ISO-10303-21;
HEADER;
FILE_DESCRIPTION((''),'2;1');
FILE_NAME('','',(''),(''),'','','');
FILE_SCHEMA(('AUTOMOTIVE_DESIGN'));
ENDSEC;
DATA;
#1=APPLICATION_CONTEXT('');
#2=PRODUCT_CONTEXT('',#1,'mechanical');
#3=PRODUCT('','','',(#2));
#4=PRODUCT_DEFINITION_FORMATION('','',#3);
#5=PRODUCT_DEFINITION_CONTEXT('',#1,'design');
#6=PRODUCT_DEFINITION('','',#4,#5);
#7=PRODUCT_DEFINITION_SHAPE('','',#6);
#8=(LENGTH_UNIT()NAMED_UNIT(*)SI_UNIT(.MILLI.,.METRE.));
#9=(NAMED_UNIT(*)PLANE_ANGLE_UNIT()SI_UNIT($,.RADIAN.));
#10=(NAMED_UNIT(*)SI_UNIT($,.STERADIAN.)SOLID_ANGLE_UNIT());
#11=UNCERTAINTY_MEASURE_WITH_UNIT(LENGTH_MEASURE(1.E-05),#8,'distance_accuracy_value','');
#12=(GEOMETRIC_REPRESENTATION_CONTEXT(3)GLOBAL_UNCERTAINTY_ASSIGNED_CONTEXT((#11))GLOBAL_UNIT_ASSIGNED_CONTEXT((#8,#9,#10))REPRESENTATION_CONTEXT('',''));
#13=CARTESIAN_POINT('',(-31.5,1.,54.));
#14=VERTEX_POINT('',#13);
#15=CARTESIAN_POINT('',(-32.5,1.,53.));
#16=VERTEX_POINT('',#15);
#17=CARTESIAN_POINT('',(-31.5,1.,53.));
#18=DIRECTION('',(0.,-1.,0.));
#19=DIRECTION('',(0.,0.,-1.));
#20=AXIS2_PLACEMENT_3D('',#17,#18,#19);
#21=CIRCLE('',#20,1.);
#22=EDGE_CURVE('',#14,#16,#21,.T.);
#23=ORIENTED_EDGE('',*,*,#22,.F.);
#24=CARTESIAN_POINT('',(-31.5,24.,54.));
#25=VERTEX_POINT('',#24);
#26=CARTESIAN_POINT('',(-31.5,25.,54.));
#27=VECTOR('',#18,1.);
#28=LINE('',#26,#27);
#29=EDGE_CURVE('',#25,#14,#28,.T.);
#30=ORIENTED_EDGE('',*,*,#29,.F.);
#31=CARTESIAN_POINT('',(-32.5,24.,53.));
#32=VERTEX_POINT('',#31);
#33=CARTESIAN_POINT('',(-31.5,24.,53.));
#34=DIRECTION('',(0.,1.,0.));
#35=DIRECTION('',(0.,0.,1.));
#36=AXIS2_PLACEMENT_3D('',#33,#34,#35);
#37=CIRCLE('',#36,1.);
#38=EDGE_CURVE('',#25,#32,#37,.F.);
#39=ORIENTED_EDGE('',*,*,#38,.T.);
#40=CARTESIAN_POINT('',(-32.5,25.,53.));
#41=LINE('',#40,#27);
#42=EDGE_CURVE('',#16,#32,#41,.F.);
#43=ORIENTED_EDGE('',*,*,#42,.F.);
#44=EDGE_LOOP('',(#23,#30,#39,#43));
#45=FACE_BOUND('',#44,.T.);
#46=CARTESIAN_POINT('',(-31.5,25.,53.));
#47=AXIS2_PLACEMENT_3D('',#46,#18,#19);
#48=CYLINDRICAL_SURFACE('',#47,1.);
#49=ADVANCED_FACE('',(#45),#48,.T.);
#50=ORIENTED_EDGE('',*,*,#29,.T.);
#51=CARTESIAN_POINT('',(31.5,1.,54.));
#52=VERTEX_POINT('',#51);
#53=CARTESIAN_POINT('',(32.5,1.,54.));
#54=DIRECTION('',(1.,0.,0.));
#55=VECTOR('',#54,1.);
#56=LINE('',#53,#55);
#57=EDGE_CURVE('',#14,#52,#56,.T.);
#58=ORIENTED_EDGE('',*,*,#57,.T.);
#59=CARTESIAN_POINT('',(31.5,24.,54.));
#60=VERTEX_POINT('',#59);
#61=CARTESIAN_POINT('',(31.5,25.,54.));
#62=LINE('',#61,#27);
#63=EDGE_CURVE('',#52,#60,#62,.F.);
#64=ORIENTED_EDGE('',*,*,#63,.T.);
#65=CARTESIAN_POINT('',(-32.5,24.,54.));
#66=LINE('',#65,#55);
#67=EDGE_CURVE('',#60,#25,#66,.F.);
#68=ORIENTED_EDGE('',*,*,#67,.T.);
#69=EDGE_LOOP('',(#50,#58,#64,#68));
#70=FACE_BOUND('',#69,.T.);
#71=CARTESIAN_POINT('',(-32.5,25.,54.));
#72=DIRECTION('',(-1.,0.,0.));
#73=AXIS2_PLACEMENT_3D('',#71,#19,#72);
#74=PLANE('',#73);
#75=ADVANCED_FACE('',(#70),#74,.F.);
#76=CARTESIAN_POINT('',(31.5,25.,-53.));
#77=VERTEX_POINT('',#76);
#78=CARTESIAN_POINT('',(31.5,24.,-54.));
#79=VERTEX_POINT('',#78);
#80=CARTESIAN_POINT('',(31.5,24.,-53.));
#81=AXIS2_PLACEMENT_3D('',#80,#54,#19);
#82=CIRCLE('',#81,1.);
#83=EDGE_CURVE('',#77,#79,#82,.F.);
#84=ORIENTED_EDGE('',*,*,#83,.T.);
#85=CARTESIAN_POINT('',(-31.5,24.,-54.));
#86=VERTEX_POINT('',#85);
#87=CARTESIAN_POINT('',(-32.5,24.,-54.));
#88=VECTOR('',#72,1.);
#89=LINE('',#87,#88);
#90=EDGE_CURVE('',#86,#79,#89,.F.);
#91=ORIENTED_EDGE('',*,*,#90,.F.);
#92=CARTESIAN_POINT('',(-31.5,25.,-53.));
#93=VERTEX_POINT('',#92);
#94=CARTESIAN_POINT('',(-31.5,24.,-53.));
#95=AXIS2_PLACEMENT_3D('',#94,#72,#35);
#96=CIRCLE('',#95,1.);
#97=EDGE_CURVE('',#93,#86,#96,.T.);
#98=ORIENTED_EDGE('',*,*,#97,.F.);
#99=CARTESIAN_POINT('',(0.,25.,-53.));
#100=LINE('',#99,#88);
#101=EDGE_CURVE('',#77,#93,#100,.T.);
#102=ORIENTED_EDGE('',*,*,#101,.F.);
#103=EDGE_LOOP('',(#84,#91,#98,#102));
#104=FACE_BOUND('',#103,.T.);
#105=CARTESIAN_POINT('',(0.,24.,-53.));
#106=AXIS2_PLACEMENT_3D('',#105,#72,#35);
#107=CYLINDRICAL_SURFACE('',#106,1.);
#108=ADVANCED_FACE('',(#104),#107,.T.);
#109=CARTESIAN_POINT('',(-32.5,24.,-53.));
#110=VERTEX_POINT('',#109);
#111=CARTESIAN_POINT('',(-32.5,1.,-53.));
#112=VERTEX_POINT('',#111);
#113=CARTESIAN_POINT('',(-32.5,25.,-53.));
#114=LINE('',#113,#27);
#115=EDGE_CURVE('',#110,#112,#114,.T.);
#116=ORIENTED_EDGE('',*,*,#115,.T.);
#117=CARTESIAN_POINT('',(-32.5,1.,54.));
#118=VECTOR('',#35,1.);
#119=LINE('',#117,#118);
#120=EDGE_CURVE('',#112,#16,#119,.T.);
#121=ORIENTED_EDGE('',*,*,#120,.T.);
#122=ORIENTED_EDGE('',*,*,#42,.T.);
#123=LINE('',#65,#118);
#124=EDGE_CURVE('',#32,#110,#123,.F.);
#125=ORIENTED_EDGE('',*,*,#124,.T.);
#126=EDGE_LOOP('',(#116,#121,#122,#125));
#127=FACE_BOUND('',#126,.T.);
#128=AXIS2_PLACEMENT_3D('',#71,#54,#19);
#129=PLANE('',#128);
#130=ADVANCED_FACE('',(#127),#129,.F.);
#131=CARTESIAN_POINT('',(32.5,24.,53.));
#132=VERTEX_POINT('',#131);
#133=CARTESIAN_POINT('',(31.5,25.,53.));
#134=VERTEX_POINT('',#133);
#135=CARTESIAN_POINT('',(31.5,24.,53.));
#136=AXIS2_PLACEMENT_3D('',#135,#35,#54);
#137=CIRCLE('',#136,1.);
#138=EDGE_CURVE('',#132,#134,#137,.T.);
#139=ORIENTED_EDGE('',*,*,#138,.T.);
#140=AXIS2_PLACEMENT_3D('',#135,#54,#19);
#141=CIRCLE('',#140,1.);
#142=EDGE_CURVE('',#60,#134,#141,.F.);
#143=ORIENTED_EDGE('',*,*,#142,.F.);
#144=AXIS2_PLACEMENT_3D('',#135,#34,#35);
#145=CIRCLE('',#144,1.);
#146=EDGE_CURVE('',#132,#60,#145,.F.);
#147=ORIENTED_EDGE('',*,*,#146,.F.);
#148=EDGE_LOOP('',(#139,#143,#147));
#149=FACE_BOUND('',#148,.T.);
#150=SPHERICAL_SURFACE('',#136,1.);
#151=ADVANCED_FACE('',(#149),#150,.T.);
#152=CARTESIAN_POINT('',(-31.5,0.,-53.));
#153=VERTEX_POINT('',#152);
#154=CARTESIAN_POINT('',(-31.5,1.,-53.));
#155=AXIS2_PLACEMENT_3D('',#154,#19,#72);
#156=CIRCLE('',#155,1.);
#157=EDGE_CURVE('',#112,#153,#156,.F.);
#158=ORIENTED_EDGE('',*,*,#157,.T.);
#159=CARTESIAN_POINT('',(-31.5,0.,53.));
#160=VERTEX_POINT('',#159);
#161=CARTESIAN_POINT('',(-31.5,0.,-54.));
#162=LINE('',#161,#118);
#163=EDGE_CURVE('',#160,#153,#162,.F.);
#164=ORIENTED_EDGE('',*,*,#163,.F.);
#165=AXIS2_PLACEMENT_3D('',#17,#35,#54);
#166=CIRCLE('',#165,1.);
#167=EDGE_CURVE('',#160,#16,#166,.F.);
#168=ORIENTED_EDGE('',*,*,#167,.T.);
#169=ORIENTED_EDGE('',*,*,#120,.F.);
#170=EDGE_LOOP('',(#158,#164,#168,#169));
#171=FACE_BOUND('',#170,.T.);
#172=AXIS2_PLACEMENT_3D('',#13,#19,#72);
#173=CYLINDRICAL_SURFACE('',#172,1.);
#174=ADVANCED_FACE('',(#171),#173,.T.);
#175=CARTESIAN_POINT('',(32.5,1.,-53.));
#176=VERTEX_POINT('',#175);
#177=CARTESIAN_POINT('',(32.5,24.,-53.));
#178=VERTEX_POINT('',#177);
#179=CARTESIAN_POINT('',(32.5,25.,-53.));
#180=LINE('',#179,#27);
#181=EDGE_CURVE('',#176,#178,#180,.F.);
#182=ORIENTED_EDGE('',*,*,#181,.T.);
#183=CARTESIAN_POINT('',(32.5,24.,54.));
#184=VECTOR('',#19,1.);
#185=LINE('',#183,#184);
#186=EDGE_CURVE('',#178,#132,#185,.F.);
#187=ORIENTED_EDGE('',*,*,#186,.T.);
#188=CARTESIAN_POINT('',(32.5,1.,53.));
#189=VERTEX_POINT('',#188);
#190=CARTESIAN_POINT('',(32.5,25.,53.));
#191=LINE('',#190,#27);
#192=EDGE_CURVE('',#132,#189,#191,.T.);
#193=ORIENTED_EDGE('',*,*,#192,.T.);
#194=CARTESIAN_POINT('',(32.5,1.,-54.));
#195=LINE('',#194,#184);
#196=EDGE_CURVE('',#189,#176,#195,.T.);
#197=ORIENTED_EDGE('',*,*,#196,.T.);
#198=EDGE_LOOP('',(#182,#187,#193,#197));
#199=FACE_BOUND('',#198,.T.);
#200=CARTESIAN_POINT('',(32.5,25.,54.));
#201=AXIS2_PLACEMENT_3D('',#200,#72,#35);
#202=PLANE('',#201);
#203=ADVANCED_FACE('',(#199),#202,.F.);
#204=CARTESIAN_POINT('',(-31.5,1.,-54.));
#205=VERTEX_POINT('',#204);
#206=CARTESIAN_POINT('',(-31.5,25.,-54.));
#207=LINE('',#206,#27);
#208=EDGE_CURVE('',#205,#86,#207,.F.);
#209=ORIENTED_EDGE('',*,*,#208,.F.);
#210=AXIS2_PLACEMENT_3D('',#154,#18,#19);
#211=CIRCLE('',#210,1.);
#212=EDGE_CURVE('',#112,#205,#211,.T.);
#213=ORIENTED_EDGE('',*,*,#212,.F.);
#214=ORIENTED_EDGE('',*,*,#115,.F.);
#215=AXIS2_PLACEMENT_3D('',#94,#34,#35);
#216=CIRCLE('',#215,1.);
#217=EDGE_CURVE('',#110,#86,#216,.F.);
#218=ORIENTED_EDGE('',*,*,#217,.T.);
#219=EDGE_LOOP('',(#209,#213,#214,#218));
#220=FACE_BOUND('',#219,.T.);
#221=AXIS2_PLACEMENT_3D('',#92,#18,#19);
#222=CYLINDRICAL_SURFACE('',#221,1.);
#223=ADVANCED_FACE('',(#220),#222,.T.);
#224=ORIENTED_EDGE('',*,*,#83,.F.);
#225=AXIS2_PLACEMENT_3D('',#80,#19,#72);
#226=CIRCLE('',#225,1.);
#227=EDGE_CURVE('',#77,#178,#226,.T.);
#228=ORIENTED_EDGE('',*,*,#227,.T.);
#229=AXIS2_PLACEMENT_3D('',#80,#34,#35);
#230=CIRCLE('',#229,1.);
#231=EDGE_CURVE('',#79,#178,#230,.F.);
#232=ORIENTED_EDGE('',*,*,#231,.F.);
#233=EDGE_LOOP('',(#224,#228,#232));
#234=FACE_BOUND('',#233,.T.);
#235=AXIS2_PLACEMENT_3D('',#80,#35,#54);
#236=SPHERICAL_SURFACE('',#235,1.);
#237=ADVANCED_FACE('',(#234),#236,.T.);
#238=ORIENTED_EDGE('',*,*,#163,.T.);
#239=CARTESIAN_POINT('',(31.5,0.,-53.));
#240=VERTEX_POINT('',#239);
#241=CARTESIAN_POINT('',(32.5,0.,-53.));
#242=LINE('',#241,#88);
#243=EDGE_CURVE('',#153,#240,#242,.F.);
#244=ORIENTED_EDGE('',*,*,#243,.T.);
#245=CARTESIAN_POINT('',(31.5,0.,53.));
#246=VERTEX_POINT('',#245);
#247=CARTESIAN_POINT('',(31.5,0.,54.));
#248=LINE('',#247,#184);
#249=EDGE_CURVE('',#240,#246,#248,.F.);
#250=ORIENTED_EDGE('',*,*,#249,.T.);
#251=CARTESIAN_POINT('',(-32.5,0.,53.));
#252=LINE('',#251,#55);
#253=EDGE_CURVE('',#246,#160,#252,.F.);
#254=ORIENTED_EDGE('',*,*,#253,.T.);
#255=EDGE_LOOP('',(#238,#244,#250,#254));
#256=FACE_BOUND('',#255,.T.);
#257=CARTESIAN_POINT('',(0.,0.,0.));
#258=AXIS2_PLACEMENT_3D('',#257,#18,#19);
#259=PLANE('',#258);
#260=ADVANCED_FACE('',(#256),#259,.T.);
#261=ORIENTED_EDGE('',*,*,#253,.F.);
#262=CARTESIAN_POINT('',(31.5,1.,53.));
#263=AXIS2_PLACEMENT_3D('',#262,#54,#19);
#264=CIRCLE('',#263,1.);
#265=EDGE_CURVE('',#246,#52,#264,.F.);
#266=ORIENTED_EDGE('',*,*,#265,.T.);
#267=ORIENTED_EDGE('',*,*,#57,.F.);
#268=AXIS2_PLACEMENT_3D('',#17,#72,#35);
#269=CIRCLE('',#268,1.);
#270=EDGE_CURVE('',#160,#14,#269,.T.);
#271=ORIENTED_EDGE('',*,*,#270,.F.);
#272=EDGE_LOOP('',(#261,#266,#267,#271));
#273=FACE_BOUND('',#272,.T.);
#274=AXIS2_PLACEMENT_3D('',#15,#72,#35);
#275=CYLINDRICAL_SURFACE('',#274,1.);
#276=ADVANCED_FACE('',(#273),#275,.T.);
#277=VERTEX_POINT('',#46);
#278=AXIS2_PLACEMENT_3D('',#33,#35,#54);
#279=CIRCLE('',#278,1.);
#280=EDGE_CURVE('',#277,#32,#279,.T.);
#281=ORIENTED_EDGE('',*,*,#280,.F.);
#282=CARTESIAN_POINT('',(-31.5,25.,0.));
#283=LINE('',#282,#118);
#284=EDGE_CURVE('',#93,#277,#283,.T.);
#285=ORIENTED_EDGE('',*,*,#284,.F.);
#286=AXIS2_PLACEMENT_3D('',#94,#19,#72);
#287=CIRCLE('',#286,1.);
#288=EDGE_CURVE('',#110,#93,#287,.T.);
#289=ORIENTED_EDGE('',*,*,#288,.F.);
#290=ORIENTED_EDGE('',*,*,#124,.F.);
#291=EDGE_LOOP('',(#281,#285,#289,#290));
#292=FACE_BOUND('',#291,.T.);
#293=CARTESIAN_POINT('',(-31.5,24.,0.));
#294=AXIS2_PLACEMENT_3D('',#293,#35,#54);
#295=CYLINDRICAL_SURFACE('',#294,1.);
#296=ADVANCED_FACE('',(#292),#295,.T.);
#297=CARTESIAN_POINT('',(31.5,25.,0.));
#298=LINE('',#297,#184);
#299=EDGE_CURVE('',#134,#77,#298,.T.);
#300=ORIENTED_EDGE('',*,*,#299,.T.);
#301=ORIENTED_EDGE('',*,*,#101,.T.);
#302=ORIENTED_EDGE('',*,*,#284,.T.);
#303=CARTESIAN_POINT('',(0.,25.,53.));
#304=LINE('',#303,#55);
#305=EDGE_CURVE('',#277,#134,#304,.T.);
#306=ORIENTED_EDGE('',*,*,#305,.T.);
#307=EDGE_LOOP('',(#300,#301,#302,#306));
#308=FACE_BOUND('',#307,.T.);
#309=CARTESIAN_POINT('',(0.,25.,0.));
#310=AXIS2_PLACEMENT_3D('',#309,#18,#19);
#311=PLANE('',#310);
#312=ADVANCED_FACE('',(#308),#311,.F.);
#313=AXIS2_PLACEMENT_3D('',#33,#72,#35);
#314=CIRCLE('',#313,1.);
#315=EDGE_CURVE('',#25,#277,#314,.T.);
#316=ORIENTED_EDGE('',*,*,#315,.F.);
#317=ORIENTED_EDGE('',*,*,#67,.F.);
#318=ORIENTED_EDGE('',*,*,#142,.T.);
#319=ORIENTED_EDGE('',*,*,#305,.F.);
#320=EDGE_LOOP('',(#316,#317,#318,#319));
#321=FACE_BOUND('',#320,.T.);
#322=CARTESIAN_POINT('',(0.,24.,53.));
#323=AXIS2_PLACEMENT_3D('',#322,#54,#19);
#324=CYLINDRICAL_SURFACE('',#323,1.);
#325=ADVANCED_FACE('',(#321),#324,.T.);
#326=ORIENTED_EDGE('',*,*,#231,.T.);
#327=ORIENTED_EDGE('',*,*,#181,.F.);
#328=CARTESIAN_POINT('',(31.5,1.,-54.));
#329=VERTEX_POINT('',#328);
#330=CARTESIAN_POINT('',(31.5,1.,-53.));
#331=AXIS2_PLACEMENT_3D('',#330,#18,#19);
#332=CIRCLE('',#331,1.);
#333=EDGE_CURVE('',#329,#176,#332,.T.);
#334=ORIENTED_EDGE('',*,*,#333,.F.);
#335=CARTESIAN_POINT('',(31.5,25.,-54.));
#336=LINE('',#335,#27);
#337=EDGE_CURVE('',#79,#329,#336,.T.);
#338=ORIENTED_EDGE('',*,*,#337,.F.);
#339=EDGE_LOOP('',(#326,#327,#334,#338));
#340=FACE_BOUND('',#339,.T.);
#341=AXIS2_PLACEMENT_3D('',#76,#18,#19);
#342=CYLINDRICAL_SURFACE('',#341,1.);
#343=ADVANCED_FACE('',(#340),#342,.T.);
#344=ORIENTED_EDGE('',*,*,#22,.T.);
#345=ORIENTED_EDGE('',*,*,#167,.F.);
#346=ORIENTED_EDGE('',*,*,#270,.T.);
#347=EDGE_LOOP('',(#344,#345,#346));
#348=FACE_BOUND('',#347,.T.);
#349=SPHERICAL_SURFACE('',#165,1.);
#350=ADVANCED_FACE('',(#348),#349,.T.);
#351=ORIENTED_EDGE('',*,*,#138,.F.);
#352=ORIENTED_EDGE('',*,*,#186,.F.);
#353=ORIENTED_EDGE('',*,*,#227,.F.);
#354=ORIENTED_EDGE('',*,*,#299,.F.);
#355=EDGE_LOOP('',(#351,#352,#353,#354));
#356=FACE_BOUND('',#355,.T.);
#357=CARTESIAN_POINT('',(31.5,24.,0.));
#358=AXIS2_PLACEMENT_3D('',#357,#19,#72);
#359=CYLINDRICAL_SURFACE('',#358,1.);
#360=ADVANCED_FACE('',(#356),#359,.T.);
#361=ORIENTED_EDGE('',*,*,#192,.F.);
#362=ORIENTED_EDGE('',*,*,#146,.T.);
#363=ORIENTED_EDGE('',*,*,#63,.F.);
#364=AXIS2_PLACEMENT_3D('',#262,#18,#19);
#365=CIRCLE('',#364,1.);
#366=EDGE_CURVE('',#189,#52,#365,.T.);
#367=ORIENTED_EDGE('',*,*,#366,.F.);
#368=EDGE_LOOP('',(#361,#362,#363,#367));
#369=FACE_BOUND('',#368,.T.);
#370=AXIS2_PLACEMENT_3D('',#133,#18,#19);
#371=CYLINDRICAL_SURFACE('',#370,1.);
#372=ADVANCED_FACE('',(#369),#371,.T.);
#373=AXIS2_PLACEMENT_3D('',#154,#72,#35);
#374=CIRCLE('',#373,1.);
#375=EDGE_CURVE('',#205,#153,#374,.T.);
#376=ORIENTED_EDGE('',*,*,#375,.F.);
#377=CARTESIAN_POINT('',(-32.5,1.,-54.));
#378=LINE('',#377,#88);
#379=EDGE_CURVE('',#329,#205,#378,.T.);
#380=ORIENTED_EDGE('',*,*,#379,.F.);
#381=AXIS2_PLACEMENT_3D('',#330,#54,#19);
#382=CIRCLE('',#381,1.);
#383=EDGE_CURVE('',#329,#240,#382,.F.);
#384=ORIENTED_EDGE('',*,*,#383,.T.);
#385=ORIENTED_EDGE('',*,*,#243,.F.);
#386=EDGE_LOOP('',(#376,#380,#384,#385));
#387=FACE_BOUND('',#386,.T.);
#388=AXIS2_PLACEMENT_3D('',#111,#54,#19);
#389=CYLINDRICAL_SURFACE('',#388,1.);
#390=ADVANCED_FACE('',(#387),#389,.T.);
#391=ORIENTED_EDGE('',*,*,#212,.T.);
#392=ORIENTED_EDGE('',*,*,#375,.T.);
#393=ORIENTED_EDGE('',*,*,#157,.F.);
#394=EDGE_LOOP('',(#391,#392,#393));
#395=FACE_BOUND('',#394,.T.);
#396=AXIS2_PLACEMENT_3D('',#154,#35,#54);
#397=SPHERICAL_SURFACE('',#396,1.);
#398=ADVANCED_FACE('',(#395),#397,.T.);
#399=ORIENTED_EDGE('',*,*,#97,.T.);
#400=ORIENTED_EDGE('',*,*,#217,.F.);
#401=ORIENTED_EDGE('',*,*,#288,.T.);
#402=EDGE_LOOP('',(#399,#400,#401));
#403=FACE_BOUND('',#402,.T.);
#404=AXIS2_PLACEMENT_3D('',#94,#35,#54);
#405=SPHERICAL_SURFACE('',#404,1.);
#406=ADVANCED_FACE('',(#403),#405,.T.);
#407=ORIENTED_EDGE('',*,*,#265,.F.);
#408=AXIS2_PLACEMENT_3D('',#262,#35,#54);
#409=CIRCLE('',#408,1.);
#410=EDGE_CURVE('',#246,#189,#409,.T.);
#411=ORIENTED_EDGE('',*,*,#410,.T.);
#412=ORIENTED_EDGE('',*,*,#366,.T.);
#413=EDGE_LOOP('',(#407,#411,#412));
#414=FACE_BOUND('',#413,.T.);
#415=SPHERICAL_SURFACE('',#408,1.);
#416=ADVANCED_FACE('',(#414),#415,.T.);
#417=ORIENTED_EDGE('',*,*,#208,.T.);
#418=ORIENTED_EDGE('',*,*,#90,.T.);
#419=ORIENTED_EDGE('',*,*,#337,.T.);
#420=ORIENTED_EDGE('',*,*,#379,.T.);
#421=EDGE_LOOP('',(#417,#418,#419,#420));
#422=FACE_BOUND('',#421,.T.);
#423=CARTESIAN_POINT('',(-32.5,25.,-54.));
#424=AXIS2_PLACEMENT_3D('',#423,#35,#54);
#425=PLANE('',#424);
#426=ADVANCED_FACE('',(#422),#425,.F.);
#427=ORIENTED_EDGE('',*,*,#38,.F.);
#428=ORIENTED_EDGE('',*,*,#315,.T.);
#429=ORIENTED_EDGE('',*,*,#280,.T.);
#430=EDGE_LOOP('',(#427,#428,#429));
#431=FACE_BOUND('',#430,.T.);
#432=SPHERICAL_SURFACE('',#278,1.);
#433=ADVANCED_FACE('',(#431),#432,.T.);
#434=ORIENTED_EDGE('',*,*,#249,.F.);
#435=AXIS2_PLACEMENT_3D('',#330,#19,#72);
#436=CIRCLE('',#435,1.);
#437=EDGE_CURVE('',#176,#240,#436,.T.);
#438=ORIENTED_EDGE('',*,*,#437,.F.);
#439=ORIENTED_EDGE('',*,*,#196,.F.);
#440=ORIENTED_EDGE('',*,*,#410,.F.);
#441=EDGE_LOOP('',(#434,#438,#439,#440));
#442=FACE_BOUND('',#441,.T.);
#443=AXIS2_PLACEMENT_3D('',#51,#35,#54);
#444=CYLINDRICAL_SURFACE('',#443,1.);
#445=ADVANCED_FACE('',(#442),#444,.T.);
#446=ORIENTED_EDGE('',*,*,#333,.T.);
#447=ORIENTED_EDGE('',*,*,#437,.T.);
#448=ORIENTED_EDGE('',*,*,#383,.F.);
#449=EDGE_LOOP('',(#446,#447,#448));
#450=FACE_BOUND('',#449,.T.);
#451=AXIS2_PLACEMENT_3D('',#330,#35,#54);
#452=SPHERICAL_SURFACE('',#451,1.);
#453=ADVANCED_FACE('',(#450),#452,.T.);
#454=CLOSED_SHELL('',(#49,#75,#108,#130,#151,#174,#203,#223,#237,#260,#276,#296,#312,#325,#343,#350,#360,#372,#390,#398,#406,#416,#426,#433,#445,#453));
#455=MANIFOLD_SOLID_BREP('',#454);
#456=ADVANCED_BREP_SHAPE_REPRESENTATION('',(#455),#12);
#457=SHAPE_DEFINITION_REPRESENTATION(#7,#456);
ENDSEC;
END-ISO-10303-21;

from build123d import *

# Parameters (mm, degrees)
SKETCH1_W           = 65
SKETCH1_H           = 108
BOSS_EXTRUDE1_DEPTH = 25
FILLET1_R           = 1


with BuildPart() as part:
    # Sketch1 → Boss-Extrude1 (new body)
    with BuildSketch(Plane(origin=(0, 0, 0), x_dir=(1, 0, 0), z_dir=(0, 1, 0))):
        Rectangle(SKETCH1_W, SKETCH1_H)
    extrude(amount=BOSS_EXTRUDE1_DEPTH)

    # Fillet1
    fillet1_edges = [part.edges().sort_by_distance(p)[0] for p in [
        (-32.5, 25, 0),
        (0, 25, 54),
        (32.5, 25, 0),
        (0, 0, 54),
        (-32.5, 0, 0),
        (0, 0, -54),
        (32.5, 0, 0),
        (32.5, 12.5, 54),
        (-32.5, 12.5, 54),
        (-32.5, 12.5, -54),
        (32.5, 12.5, -54),
        (0, 25, -54),
    ]]
    fillet(fillet1_edges, radius=FILLET1_R)


solid = part.part
